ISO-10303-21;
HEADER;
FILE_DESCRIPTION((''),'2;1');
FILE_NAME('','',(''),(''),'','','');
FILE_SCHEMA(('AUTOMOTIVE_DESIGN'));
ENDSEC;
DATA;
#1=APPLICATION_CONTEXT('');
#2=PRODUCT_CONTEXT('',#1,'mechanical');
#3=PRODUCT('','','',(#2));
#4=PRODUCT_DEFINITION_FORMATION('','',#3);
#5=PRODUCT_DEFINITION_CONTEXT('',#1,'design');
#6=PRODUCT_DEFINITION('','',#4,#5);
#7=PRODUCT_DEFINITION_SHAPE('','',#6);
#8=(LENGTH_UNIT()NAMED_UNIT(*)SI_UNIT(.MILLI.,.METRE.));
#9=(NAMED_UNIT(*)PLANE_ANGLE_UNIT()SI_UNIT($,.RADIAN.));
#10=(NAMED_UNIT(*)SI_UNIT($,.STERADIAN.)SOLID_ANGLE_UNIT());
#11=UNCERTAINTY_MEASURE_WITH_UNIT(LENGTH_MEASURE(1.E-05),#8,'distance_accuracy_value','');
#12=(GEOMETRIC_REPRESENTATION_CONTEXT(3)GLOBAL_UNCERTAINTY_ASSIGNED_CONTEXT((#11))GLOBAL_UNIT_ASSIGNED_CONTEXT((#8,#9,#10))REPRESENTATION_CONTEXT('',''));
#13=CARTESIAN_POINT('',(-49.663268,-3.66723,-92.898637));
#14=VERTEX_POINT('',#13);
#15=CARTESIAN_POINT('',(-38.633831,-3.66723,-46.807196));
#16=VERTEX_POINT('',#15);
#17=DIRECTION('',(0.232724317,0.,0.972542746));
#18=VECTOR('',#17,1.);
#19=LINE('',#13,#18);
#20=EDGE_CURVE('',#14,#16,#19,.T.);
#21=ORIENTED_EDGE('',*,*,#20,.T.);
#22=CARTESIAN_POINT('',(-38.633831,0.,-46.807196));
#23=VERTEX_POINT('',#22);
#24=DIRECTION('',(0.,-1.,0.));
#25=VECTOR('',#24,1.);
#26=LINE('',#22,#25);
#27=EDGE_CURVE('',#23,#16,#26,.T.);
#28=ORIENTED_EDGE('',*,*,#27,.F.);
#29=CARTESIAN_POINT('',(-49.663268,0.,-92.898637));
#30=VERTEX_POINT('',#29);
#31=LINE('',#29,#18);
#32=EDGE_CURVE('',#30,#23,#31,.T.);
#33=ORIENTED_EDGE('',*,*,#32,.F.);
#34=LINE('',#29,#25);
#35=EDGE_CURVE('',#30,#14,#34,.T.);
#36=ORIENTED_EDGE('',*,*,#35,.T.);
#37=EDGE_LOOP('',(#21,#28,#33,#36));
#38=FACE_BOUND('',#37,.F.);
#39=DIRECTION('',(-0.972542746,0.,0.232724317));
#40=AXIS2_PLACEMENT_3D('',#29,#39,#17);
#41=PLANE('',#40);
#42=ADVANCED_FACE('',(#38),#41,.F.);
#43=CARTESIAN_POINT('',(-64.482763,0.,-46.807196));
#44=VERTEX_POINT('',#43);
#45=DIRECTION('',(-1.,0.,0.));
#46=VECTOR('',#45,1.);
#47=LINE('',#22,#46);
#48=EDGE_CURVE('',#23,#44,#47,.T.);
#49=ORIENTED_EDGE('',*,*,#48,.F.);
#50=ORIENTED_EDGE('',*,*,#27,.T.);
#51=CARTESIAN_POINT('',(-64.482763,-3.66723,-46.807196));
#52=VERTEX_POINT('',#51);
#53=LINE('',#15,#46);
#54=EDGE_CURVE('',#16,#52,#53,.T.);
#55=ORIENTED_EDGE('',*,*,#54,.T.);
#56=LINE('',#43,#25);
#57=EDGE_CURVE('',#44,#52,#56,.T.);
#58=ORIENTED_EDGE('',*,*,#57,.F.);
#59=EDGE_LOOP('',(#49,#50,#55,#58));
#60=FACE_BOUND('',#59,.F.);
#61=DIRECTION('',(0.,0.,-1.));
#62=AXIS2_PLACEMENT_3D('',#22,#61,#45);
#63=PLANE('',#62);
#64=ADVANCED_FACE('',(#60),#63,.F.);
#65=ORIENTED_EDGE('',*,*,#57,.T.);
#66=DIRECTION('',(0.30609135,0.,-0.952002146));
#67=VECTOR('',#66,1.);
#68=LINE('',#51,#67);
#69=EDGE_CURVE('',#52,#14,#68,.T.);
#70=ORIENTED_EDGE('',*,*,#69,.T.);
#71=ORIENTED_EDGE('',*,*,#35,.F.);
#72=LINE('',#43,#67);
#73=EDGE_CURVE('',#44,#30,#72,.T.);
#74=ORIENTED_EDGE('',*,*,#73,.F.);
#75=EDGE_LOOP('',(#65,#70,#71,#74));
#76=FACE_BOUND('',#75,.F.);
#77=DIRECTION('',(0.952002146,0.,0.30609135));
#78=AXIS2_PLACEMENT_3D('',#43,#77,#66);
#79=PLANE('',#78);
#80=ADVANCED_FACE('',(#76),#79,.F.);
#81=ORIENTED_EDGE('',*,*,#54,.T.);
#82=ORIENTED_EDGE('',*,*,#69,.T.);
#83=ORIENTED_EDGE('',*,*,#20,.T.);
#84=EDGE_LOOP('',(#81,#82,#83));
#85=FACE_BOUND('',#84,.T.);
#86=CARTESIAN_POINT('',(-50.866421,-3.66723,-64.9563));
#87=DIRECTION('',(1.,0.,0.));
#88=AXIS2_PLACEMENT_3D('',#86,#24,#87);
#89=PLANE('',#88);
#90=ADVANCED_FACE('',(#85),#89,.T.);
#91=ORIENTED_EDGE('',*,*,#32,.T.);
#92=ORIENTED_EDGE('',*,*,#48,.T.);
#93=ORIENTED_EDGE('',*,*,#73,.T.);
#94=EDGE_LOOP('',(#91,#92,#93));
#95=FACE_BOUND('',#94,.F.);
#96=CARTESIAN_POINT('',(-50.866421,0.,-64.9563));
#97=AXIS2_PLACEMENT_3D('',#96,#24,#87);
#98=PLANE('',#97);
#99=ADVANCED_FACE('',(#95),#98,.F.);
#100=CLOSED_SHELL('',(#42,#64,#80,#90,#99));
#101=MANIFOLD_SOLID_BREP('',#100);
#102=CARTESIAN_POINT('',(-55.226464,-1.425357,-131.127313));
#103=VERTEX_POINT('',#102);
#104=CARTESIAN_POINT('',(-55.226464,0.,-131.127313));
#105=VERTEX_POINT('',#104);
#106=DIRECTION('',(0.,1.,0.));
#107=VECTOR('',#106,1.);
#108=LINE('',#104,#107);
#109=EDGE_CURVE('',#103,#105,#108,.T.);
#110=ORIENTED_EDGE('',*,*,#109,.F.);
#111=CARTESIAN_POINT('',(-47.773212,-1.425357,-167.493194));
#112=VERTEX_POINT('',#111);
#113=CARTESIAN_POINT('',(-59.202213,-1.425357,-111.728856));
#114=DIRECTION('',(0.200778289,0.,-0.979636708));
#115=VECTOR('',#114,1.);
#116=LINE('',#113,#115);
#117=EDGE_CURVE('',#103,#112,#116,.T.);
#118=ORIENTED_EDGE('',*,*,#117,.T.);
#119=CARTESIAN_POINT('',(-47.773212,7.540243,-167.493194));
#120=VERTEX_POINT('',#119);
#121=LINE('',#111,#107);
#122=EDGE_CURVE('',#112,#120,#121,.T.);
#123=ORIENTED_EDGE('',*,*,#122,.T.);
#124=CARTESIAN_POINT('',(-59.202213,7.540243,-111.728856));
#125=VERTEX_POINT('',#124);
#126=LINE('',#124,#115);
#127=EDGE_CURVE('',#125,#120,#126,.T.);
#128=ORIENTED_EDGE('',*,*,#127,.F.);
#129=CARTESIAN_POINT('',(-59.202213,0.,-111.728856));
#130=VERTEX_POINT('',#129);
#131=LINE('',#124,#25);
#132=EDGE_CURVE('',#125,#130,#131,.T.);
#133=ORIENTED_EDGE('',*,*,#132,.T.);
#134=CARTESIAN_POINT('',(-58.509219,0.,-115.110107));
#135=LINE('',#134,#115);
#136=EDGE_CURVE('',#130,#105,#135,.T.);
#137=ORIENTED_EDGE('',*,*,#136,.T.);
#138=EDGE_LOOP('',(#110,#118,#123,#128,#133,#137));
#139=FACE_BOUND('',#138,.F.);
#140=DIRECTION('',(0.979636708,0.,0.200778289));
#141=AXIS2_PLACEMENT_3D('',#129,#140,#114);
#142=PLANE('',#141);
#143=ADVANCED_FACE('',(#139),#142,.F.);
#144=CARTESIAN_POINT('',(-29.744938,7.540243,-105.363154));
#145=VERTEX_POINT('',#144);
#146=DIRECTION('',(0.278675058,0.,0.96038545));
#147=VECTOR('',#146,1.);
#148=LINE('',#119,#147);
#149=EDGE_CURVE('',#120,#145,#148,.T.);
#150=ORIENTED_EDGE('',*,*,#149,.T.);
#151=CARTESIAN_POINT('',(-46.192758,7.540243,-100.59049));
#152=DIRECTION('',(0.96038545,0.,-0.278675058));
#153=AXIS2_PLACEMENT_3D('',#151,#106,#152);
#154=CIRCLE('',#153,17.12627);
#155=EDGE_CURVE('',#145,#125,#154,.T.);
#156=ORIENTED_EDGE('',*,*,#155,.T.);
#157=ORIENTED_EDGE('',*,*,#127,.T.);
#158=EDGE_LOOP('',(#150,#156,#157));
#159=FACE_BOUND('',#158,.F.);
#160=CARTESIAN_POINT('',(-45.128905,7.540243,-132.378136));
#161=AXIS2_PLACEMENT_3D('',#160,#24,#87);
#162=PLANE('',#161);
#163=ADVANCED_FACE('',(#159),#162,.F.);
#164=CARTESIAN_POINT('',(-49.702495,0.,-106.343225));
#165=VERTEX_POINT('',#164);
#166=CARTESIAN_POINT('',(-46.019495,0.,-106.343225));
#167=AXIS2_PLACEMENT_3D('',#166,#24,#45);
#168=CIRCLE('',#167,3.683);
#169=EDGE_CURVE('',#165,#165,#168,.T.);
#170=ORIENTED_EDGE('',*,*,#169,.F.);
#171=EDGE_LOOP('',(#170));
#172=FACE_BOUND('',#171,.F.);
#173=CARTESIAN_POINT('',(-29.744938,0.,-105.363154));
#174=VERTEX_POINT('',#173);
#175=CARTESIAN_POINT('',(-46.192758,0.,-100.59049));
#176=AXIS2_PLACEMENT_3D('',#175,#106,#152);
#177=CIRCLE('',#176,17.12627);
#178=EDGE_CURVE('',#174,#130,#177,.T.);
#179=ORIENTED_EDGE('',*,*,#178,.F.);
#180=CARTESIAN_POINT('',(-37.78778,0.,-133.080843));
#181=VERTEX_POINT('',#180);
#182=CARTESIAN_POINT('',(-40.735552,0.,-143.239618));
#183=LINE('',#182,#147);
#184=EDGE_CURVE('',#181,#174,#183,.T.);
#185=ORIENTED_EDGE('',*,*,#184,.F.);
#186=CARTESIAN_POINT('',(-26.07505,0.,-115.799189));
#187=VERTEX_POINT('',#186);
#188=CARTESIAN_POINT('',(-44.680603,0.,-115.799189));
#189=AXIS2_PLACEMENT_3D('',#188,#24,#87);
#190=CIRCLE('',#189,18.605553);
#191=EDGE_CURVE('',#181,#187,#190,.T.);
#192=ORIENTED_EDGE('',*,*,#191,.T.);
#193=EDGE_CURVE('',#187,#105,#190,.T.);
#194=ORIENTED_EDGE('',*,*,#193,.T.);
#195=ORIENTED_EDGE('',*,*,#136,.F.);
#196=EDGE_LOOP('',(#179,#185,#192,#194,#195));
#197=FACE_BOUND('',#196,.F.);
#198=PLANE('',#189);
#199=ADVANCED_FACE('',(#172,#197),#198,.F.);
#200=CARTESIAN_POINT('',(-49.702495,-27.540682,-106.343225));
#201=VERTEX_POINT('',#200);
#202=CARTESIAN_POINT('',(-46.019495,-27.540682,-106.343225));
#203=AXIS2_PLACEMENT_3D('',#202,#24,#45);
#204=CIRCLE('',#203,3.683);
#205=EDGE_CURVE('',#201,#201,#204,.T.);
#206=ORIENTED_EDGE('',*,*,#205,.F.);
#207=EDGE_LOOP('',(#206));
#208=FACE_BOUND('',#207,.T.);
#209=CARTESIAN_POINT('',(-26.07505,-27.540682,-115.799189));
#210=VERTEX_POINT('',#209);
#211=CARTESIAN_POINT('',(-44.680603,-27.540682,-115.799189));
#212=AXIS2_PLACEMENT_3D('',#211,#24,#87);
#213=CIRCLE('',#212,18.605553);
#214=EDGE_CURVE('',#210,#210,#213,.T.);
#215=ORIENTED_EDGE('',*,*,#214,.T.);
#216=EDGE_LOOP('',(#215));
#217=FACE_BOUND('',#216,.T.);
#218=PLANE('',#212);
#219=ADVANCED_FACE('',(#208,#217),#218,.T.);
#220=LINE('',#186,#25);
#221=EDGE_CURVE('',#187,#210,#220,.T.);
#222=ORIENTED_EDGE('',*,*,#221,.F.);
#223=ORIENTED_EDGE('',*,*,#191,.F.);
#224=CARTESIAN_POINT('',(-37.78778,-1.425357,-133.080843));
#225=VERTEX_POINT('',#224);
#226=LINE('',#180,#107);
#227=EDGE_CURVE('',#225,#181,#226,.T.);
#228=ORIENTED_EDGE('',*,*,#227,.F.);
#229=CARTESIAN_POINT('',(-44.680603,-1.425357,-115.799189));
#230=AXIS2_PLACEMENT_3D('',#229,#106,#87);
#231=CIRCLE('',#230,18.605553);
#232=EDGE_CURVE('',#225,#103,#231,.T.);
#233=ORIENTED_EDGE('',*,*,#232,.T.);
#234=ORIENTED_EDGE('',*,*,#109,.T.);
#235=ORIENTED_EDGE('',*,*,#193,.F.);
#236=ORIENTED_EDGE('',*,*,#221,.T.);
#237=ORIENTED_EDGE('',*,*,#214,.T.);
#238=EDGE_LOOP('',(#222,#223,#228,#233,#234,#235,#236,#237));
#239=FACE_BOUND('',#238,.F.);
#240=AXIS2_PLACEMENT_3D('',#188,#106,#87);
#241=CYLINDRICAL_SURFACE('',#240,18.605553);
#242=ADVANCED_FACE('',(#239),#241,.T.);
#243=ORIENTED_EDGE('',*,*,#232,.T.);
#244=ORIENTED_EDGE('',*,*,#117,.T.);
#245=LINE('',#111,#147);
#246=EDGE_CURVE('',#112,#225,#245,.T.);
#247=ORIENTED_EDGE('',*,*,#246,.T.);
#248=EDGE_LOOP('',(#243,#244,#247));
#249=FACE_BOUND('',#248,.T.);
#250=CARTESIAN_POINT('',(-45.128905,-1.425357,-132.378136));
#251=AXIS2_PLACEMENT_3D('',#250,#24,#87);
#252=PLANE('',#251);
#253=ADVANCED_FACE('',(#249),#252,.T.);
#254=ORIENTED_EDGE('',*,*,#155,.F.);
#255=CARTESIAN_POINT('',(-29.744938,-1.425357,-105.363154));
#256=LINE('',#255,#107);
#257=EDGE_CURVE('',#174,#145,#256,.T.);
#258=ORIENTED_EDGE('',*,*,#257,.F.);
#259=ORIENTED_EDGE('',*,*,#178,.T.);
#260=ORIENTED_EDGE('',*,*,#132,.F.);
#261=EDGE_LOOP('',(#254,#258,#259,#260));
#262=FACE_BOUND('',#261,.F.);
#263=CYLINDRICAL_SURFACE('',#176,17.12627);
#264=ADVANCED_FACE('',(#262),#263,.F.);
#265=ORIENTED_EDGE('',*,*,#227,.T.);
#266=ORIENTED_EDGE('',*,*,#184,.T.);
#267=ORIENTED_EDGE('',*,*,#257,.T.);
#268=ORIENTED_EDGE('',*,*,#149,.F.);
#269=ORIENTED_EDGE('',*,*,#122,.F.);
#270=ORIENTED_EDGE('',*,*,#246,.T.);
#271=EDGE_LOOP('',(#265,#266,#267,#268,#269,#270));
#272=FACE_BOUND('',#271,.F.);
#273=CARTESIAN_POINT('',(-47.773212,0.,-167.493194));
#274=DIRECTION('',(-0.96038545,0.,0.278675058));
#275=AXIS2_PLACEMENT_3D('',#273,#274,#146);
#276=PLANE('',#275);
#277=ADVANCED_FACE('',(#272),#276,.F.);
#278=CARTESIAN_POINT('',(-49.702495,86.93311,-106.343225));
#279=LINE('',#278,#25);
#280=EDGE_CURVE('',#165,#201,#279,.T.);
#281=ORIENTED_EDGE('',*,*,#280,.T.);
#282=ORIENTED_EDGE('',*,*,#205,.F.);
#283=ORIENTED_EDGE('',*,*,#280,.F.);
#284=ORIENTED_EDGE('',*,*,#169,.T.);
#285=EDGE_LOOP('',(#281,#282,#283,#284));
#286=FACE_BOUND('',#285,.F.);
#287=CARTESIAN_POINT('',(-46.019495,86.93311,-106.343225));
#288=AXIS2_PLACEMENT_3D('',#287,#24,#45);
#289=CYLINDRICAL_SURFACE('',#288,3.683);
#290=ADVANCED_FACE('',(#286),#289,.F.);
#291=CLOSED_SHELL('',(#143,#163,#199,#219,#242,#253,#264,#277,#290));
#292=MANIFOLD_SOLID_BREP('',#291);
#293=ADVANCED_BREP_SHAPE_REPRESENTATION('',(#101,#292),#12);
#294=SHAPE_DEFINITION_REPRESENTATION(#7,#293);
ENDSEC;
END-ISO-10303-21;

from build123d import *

# Parameters (mm, degrees)
F1_DEPTH = 7.5402432121
F2_DEPTH = 1.4253571862
F3_R     = 18.605552665
F4_DEPTH = 27.5406818837
F6_DEPTH = 3.6672297865
F8_D     = 7.366


with BuildPart() as f1:
    # F0 (on Front) → F1 (new body)
    with BuildSketch(Plane.XZ):
        with BuildLine():
            ThreePointArc((-29.7449376156, -105.363153987), (-42.5752824221, -117.3303519227), (-59.202212781, -111.7288555937))
            Line((-59.202212781, -111.7288555937), (-47.7732121944, -167.4931943417))
            Line((-47.7732121944, -167.4931943417), (-29.7449376156, -105.363153987))
        make_face()
    extrude(amount=-F1_DEPTH)

    # F2 (add): a face of the model
    f2_faces = [f1.faces().sort_by_distance(p)[0] for p in [
        (-46.1184940626, 0, -132.847419827),
    ]]
    extrude(f2_faces, amount=F2_DEPTH)

    # F3 (on Front) → F4 (join)
    with BuildSketch(Plane.XZ):
        with Locations((-44.6806028485, -115.7991886139)):
            Circle(F3_R)
    extrude(amount=F4_DEPTH)

    # F8 (through all)
    with Locations(Plane(origin=(0, 0, 0), x_dir=(1, 0, 0), z_dir=(0, 1, 0))):
        with Locations((-46.0194945335, 106.3432246447)):
            Hole(F8_D / 2)


with BuildPart() as f6:
    # F5 (on Front) → F6 (new body)
    with BuildSketch(Plane.XZ):
        Polygon((-64.4827634096, -46.8071959913), (-49.6632680297, -92.8986370564), (-38.6338308454, -46.8071959913), align=None)
    extrude(amount=F6_DEPTH)


solid = Compound([f1.part, f6.part])
